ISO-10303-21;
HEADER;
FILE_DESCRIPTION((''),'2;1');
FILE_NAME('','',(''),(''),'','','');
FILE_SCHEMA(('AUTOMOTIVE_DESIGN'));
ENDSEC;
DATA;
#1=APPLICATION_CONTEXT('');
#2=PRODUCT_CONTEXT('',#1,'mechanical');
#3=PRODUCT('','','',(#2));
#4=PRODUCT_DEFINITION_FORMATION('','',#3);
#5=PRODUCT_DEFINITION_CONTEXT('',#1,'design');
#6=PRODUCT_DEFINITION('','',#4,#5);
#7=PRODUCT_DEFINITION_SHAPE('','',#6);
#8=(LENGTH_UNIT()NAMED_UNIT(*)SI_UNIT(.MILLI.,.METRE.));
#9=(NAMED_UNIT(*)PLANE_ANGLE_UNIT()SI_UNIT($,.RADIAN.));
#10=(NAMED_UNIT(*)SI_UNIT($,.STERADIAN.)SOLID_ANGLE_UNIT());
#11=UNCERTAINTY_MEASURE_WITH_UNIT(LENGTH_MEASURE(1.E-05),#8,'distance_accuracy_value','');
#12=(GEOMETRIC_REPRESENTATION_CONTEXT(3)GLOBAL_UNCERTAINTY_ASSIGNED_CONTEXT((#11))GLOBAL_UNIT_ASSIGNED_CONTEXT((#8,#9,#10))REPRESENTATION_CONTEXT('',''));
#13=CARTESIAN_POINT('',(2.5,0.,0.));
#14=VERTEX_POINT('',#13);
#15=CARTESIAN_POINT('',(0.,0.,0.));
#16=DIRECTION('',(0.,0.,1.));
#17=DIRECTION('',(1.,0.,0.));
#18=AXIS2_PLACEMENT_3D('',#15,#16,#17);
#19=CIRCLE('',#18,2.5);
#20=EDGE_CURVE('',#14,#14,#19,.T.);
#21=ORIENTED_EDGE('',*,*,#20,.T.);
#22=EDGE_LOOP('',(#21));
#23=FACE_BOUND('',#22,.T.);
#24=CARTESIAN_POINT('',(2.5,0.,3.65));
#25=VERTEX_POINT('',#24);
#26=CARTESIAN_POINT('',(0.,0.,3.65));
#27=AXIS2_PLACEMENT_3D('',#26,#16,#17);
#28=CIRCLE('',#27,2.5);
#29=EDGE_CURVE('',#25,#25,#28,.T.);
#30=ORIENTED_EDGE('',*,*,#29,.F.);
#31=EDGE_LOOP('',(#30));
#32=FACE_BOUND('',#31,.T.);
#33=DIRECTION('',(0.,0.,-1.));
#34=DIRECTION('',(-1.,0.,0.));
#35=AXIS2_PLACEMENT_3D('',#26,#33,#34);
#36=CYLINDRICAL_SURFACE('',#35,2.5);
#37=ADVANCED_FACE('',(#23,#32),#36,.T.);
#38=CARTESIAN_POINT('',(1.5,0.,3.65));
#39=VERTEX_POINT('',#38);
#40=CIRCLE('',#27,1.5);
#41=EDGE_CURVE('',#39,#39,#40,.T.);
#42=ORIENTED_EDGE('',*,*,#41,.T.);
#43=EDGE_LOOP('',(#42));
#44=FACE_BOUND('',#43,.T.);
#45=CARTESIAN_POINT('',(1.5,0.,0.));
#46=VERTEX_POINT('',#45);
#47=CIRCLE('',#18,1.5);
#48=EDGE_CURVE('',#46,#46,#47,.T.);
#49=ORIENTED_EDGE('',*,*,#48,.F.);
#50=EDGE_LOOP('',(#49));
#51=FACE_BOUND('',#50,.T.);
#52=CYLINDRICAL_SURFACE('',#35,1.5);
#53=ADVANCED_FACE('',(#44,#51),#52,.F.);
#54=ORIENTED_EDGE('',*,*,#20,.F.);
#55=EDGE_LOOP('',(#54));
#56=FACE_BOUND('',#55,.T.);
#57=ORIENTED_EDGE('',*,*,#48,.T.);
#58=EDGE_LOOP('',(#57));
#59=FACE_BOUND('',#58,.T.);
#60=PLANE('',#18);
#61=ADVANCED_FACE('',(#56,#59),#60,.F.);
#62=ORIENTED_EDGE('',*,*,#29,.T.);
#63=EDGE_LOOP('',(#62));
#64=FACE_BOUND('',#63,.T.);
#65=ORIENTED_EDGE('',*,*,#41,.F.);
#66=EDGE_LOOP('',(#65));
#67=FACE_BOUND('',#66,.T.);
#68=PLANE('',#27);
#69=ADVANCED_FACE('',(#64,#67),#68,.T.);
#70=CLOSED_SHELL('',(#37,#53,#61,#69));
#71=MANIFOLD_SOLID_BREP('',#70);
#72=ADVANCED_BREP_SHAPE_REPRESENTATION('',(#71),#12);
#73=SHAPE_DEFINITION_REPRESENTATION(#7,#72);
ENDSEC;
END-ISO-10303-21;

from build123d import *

# Parameters (mm, degrees)
SKETCH2_R           = 2.5
SKETCH2_R_2         = 1.5
BOSS_EXTRUDE1_DEPTH = 3.65


with BuildPart() as part:
    # Sketch2 → Boss-Extrude1 (new body)
    with BuildSketch(Plane.XY):
        Circle(SKETCH2_R)
        Circle(SKETCH2_R_2, mode=Mode.SUBTRACT)
    extrude(amount=BOSS_EXTRUDE1_DEPTH)


solid = part.part
